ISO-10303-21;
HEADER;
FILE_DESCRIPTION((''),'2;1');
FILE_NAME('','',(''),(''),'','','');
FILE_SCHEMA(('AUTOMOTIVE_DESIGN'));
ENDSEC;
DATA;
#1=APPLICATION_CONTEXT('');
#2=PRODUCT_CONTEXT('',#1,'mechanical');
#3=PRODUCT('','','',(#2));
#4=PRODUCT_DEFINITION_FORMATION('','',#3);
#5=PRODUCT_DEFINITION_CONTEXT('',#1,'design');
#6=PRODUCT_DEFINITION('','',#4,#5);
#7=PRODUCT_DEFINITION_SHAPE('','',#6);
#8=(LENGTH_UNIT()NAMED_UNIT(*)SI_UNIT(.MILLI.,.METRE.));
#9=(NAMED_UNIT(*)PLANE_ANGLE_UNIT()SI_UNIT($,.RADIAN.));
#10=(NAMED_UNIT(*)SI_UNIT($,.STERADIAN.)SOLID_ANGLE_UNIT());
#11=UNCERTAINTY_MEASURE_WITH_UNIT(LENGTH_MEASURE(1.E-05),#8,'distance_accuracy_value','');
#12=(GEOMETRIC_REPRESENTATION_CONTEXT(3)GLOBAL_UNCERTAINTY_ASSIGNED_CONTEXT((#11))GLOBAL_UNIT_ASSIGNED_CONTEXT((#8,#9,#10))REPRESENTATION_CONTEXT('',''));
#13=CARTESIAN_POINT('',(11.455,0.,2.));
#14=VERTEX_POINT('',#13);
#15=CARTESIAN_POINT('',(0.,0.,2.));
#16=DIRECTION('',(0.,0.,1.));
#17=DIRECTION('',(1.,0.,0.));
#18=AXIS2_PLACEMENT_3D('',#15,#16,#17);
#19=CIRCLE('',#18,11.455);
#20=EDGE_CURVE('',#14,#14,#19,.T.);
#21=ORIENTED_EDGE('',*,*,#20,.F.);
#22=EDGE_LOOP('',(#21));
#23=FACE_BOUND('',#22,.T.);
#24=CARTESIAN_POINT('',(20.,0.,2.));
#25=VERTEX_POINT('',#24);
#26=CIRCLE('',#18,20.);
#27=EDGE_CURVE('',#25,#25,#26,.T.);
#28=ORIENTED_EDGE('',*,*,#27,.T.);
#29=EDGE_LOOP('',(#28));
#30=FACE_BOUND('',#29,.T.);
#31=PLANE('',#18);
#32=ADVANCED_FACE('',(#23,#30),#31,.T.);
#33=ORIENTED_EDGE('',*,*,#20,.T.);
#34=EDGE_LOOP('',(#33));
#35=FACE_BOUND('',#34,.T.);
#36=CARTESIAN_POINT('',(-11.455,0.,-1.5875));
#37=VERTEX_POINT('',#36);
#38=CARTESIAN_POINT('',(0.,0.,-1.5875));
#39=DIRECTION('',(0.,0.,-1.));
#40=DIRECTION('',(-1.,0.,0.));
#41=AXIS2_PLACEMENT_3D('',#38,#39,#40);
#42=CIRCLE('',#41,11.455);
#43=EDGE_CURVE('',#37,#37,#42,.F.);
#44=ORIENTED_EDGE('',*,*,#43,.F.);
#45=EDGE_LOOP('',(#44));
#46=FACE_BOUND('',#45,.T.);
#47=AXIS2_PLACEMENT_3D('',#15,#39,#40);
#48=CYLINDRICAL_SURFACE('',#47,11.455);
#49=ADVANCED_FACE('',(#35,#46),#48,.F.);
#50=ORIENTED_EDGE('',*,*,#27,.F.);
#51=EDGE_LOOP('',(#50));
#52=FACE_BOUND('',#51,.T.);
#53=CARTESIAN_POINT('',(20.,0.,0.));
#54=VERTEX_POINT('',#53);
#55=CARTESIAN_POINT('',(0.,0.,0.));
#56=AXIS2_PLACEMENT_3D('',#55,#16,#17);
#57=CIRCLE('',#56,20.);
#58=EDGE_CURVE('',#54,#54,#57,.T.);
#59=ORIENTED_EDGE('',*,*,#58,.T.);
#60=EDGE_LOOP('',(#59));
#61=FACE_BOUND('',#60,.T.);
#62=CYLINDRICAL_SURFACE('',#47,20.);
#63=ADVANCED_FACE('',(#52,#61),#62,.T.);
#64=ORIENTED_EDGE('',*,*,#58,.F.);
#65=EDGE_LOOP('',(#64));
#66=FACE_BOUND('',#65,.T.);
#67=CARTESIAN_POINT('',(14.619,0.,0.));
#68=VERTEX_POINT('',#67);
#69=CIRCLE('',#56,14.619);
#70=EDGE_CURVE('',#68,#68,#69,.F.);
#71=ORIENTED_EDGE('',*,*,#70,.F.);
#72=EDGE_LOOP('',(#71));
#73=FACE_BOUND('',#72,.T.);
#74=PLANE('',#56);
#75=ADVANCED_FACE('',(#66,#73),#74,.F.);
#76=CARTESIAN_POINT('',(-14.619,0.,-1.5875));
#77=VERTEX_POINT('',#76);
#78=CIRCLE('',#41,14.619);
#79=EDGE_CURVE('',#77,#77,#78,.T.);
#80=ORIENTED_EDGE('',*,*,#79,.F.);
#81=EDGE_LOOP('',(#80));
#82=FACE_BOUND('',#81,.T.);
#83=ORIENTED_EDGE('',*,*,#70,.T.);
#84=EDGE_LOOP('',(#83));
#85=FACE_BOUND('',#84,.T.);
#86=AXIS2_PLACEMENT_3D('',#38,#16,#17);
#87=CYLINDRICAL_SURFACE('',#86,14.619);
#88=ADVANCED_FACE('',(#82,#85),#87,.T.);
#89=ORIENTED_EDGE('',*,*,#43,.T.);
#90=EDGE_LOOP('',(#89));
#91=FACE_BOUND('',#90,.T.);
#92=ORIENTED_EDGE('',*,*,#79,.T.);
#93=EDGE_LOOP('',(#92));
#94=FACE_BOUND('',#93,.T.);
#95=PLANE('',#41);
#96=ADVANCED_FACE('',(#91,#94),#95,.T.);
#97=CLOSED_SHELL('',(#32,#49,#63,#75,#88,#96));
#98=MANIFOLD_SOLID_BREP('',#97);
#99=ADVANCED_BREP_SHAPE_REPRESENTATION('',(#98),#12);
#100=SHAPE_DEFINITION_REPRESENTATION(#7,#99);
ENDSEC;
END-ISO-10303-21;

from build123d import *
from build123d.topology import SkipClean

# Parameters (mm, degrees)
SKETCH1_R           = 20
SKETCH1_R_2         = 14.619
SKETCH1_R_3         = 11.455
BOSS_EXTRUDE1_DEPTH = 2
BOSS_EXTRUDE2_START = 1.5875
SKETCH2_R           = 14.619
SKETCH2_R_2         = 11.455
BOSS_EXTRUDE2_DEPTH = 1.5875


with BuildPart() as part:
    # Sketch1 → Boss-Extrude1 (new body)
    # profile 1 of 2: a face of its own
    with BuildSketch(Plane.XY):
        Circle(SKETCH1_R)
        Circle(SKETCH1_R_2, mode=Mode.SUBTRACT)
    # profile 2 of 2: a face of its own
    with BuildSketch(Plane.XY):
        Circle(SKETCH1_R_2)
        Circle(SKETCH1_R_3, mode=Mode.SUBTRACT)
    extrude(amount=BOSS_EXTRUDE1_DEPTH)

    # Sketch2 → Boss-Extrude2 (add)
    with SkipClean():  # the faces are left unmerged after this step: merging them gives an invalid solid
        with BuildSketch(Plane(origin=(0, 0, 0), x_dir=(-1, 0, 0), z_dir=(0, 0, -1)).offset(BOSS_EXTRUDE2_START)):
            with Locations(Location((0, 0, 0), (0, 0, 180))):
                Circle(SKETCH2_R)
            Circle(SKETCH2_R_2, mode=Mode.SUBTRACT)
        extrude(amount=-BOSS_EXTRUDE2_DEPTH)


solid = part.part
